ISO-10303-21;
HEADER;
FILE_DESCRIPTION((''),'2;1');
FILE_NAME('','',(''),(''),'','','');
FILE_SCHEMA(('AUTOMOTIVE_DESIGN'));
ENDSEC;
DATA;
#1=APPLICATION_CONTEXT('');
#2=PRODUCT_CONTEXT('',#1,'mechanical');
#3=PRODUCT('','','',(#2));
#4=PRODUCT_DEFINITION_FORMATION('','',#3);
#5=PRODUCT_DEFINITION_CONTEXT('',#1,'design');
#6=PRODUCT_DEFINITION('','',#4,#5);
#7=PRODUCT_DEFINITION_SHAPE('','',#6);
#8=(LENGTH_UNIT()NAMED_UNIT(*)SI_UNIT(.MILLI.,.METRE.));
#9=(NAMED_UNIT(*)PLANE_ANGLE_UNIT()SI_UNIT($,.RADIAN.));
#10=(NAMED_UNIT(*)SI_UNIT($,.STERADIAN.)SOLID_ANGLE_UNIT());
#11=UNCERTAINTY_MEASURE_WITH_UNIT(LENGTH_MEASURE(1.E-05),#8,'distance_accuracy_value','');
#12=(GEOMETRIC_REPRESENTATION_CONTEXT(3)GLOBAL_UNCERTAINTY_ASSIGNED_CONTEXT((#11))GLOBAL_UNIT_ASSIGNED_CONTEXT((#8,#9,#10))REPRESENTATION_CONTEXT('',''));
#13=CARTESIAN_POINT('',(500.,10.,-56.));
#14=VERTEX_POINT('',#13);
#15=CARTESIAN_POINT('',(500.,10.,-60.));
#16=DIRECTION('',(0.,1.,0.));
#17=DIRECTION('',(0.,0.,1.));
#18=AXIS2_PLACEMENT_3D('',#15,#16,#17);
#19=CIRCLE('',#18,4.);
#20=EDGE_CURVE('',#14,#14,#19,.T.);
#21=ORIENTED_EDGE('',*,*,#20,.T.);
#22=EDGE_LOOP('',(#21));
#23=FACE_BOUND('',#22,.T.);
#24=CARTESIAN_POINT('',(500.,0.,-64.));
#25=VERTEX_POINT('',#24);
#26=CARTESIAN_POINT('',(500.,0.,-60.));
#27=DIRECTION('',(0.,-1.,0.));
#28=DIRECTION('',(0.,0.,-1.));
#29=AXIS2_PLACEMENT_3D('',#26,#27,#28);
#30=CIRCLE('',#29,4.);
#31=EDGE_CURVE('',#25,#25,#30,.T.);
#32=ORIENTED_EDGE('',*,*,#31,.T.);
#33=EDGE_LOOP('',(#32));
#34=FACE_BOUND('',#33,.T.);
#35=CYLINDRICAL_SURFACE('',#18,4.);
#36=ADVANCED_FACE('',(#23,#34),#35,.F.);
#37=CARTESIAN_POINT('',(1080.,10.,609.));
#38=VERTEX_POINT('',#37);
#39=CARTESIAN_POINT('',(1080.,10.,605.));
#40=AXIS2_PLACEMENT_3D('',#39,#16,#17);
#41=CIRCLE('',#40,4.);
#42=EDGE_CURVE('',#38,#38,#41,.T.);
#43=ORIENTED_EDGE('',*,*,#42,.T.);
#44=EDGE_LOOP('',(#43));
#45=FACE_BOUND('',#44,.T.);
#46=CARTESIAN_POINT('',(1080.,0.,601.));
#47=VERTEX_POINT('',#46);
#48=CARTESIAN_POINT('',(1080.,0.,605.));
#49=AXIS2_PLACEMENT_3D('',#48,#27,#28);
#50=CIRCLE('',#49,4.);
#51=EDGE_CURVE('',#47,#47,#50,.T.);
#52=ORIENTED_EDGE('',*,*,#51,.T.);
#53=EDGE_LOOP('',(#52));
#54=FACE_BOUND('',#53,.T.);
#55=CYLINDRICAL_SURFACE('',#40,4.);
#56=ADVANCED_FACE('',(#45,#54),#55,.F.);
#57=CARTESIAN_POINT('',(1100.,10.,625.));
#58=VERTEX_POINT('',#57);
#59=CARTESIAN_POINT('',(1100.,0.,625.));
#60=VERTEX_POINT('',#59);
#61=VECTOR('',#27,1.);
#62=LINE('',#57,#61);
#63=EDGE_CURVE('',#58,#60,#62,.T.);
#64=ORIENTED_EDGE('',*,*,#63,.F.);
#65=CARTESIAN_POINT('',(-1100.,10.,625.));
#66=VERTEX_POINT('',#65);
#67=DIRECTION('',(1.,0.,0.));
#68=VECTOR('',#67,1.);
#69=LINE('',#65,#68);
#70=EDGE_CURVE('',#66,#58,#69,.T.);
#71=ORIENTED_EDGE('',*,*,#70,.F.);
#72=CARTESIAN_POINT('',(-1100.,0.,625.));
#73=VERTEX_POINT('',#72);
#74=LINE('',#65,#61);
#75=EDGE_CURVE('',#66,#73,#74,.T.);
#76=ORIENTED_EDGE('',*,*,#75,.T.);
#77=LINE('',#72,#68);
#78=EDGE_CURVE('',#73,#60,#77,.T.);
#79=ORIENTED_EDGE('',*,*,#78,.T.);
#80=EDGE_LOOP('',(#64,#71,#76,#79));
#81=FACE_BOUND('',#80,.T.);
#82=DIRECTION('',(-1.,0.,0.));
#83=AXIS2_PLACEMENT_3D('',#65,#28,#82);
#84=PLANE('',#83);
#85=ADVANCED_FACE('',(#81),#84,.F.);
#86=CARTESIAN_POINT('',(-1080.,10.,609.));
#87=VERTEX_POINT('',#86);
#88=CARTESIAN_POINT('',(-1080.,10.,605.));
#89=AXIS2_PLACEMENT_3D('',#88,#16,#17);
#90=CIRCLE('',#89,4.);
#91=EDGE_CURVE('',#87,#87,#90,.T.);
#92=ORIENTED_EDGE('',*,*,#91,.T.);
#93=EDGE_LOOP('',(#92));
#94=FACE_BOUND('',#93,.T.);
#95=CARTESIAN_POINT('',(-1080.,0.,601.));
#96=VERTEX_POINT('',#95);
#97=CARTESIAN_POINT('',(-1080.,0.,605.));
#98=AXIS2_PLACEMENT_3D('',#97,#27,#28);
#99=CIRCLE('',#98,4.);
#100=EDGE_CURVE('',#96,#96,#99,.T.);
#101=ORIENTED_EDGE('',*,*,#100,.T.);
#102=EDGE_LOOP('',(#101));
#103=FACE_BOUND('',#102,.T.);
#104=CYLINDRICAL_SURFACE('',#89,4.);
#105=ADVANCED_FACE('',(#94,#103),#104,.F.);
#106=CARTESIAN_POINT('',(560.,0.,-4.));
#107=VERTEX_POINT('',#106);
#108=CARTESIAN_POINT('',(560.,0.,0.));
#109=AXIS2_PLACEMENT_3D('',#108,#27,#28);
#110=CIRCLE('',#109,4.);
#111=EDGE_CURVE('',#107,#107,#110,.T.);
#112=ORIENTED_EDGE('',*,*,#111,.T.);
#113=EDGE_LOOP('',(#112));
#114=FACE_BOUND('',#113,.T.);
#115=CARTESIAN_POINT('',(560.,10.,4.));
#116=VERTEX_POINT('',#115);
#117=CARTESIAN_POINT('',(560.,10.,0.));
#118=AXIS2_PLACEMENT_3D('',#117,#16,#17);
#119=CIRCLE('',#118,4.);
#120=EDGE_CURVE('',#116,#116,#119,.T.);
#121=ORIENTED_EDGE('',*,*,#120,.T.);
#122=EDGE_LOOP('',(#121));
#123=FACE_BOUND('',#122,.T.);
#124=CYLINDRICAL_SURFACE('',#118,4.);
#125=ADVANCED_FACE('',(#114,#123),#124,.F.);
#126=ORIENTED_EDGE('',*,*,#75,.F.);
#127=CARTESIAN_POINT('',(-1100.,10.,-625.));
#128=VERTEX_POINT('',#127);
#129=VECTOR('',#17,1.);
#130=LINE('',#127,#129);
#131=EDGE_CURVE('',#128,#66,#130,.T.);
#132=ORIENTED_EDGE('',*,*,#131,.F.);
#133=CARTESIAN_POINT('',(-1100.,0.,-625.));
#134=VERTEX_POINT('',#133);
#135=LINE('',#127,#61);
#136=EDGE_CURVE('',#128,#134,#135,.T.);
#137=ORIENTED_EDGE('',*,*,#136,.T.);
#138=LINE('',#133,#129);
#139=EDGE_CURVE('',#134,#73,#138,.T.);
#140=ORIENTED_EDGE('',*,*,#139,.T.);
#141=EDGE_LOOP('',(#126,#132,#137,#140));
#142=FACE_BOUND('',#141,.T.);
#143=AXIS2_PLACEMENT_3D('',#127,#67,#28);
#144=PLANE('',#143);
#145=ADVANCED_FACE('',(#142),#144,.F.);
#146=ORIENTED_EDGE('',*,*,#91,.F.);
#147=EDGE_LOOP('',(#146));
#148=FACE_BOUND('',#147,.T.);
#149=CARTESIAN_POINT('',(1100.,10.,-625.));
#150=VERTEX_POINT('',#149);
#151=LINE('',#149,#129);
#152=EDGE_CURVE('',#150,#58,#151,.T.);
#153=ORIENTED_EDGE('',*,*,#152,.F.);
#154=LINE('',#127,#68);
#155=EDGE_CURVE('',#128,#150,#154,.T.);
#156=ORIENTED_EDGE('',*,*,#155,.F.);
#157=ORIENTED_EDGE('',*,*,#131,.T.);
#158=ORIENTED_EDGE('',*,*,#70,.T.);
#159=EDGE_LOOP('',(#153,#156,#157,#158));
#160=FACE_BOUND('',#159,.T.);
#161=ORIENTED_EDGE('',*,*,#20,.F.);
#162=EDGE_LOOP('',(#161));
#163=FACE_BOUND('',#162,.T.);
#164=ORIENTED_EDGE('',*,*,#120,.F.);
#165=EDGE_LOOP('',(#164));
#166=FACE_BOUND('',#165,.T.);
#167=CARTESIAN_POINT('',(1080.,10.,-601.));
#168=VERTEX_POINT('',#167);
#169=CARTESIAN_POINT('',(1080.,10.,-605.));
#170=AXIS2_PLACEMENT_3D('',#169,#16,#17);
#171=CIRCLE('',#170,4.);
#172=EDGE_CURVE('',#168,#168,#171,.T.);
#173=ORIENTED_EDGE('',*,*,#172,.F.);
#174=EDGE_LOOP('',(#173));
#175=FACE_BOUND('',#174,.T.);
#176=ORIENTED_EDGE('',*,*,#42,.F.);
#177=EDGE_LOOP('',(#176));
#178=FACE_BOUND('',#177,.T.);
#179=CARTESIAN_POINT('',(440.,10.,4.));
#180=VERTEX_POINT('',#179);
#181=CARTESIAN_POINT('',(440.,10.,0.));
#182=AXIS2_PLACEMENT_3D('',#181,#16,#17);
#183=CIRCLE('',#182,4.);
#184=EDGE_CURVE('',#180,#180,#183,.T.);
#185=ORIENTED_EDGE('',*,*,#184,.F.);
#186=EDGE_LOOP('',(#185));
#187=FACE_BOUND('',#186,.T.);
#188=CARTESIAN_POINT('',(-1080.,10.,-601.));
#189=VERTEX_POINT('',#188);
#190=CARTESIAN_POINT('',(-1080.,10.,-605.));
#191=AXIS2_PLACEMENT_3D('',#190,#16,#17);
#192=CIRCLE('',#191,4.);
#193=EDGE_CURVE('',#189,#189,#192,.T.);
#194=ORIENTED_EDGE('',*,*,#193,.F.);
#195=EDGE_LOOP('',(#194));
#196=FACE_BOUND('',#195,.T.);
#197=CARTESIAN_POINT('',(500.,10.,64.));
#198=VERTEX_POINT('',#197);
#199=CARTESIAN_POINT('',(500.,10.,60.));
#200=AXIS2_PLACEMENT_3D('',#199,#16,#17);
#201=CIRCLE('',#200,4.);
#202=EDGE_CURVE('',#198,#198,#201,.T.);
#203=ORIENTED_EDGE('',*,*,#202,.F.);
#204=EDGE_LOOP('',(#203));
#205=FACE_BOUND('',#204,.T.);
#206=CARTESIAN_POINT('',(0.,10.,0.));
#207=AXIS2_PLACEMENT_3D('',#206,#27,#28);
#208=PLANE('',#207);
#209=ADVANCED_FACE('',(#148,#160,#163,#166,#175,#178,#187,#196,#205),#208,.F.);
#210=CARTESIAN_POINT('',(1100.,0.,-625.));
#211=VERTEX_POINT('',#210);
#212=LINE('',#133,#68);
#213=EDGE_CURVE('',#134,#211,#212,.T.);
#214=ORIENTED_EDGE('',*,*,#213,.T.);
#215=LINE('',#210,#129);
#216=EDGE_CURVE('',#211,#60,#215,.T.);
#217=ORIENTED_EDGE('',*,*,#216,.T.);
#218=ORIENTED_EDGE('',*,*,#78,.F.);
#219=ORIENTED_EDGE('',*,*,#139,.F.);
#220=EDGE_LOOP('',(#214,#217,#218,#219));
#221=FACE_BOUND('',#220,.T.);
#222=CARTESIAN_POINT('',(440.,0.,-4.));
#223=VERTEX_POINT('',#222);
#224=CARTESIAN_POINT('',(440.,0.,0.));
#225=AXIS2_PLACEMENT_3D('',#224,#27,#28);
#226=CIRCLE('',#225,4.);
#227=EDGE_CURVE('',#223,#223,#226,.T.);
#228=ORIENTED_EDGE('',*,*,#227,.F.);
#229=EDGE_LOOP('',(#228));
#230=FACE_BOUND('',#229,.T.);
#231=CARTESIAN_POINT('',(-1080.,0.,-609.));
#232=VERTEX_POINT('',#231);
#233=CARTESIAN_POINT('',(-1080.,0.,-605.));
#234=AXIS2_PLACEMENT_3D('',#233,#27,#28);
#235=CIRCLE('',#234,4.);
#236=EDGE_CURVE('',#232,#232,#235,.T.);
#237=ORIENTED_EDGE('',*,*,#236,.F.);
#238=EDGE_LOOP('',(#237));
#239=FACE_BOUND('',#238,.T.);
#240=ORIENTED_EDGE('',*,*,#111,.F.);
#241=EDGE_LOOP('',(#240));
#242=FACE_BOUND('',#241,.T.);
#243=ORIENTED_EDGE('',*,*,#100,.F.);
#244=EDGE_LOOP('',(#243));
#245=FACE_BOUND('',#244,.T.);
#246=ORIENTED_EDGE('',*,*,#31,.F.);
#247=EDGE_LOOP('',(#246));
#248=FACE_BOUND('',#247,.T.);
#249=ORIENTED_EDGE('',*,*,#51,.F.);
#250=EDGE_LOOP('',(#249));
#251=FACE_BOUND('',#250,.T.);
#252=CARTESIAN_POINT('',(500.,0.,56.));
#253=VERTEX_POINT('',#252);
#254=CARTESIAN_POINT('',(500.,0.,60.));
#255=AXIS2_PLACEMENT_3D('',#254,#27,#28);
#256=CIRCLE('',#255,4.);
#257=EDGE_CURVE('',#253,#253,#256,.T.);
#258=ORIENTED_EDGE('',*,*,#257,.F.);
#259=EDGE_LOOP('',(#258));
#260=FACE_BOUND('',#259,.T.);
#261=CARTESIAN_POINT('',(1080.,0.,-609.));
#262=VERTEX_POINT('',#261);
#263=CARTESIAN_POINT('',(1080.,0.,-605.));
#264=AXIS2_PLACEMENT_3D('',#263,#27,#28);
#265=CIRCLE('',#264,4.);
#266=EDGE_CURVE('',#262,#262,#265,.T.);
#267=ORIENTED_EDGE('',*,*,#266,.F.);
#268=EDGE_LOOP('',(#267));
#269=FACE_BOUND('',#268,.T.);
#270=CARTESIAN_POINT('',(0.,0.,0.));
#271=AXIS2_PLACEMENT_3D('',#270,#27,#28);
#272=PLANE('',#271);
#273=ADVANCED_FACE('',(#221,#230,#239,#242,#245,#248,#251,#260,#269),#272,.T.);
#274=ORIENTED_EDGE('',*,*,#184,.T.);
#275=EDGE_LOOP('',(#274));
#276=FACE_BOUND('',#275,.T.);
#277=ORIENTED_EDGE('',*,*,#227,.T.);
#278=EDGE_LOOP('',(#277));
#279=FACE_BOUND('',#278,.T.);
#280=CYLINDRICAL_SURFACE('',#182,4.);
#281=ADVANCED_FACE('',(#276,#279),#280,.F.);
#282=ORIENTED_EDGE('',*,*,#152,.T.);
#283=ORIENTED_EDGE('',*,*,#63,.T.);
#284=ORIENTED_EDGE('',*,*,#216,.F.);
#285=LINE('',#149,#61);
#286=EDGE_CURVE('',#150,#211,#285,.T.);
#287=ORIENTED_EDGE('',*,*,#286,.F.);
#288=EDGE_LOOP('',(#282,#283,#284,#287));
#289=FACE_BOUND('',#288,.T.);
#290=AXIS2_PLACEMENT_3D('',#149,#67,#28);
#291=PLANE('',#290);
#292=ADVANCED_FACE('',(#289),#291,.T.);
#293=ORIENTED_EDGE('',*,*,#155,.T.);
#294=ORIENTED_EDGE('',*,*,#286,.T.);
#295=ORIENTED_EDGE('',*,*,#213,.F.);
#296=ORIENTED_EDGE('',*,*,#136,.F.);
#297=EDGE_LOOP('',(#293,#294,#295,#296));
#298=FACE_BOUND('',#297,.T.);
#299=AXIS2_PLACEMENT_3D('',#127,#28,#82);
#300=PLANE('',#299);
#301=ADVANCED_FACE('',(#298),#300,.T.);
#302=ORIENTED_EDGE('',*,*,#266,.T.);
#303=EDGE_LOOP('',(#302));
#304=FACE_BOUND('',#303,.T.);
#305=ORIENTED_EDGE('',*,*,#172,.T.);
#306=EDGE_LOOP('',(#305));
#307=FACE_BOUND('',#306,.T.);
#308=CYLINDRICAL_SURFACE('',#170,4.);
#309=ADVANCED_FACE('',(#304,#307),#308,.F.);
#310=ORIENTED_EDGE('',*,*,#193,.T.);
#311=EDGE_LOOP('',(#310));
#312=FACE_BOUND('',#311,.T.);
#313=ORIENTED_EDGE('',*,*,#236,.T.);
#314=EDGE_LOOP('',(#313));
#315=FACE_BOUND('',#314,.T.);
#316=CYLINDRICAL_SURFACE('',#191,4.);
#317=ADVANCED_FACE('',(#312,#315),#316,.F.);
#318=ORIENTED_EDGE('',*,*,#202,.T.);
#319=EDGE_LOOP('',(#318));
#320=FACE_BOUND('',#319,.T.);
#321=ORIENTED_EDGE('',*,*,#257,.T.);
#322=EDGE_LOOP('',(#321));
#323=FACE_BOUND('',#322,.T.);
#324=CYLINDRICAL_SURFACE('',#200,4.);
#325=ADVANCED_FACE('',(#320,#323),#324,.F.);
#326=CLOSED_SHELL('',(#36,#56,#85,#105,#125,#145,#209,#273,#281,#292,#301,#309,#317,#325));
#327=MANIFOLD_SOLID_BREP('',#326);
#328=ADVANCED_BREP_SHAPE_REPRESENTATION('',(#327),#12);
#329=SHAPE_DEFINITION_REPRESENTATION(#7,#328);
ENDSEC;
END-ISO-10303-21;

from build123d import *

# Parameters (mm, degrees)
SKETCH_2_W      = 2200
SKETCH_2_H      = 1250
EXTRUDE_1_DEPTH = 10
MM_1_D          = 8
MM_1_DEPTH      = 20
MM_1_TIP        = 2.403442476
MM_2_D          = 8
MM_2_DEPTH      = 20
MM_2_TIP        = 2.403442476


with BuildPart() as part:
    # 草图2 → 凸台-拉伸1 (new body)
    with BuildSketch(Plane(origin=(0, 0, 0), x_dir=(1, 0, 0), z_dir=(0, 1, 0))):
        Rectangle(SKETCH_2_W, SKETCH_2_H)
    extrude(amount=EXTRUDE_1_DEPTH)

    # 大小mm 暗销孔1
    with Locations(Plane(origin=(-1080, 10, -605), x_dir=(0, 0, 1), z_dir=(0, 1, 0))):
        with Locations((0, 0), (0, 2160), (1210, 2160), (1210, 0)):
            Hole(MM_1_D / 2, depth=MM_1_DEPTH)
            with Locations((0, 0, -(MM_1_DEPTH + MM_1_TIP / 2))):  # 118° drill point
                Cone(0, MM_1_D / 2, MM_1_TIP, mode=Mode.SUBTRACT)

    # 大小mm 暗销孔2
    with Locations(Plane(origin=(500, 10, -60), x_dir=(0, 0, 1), z_dir=(0, 1, 0))):
        with Locations((0, 0), (60, -60), (120, 0), (60, 60)):
            Hole(MM_2_D / 2, depth=MM_2_DEPTH)
            with Locations((0, 0, -(MM_2_DEPTH + MM_2_TIP / 2))):  # 118° drill point
                Cone(0, MM_2_D / 2, MM_2_TIP, mode=Mode.SUBTRACT)


solid = part.part
